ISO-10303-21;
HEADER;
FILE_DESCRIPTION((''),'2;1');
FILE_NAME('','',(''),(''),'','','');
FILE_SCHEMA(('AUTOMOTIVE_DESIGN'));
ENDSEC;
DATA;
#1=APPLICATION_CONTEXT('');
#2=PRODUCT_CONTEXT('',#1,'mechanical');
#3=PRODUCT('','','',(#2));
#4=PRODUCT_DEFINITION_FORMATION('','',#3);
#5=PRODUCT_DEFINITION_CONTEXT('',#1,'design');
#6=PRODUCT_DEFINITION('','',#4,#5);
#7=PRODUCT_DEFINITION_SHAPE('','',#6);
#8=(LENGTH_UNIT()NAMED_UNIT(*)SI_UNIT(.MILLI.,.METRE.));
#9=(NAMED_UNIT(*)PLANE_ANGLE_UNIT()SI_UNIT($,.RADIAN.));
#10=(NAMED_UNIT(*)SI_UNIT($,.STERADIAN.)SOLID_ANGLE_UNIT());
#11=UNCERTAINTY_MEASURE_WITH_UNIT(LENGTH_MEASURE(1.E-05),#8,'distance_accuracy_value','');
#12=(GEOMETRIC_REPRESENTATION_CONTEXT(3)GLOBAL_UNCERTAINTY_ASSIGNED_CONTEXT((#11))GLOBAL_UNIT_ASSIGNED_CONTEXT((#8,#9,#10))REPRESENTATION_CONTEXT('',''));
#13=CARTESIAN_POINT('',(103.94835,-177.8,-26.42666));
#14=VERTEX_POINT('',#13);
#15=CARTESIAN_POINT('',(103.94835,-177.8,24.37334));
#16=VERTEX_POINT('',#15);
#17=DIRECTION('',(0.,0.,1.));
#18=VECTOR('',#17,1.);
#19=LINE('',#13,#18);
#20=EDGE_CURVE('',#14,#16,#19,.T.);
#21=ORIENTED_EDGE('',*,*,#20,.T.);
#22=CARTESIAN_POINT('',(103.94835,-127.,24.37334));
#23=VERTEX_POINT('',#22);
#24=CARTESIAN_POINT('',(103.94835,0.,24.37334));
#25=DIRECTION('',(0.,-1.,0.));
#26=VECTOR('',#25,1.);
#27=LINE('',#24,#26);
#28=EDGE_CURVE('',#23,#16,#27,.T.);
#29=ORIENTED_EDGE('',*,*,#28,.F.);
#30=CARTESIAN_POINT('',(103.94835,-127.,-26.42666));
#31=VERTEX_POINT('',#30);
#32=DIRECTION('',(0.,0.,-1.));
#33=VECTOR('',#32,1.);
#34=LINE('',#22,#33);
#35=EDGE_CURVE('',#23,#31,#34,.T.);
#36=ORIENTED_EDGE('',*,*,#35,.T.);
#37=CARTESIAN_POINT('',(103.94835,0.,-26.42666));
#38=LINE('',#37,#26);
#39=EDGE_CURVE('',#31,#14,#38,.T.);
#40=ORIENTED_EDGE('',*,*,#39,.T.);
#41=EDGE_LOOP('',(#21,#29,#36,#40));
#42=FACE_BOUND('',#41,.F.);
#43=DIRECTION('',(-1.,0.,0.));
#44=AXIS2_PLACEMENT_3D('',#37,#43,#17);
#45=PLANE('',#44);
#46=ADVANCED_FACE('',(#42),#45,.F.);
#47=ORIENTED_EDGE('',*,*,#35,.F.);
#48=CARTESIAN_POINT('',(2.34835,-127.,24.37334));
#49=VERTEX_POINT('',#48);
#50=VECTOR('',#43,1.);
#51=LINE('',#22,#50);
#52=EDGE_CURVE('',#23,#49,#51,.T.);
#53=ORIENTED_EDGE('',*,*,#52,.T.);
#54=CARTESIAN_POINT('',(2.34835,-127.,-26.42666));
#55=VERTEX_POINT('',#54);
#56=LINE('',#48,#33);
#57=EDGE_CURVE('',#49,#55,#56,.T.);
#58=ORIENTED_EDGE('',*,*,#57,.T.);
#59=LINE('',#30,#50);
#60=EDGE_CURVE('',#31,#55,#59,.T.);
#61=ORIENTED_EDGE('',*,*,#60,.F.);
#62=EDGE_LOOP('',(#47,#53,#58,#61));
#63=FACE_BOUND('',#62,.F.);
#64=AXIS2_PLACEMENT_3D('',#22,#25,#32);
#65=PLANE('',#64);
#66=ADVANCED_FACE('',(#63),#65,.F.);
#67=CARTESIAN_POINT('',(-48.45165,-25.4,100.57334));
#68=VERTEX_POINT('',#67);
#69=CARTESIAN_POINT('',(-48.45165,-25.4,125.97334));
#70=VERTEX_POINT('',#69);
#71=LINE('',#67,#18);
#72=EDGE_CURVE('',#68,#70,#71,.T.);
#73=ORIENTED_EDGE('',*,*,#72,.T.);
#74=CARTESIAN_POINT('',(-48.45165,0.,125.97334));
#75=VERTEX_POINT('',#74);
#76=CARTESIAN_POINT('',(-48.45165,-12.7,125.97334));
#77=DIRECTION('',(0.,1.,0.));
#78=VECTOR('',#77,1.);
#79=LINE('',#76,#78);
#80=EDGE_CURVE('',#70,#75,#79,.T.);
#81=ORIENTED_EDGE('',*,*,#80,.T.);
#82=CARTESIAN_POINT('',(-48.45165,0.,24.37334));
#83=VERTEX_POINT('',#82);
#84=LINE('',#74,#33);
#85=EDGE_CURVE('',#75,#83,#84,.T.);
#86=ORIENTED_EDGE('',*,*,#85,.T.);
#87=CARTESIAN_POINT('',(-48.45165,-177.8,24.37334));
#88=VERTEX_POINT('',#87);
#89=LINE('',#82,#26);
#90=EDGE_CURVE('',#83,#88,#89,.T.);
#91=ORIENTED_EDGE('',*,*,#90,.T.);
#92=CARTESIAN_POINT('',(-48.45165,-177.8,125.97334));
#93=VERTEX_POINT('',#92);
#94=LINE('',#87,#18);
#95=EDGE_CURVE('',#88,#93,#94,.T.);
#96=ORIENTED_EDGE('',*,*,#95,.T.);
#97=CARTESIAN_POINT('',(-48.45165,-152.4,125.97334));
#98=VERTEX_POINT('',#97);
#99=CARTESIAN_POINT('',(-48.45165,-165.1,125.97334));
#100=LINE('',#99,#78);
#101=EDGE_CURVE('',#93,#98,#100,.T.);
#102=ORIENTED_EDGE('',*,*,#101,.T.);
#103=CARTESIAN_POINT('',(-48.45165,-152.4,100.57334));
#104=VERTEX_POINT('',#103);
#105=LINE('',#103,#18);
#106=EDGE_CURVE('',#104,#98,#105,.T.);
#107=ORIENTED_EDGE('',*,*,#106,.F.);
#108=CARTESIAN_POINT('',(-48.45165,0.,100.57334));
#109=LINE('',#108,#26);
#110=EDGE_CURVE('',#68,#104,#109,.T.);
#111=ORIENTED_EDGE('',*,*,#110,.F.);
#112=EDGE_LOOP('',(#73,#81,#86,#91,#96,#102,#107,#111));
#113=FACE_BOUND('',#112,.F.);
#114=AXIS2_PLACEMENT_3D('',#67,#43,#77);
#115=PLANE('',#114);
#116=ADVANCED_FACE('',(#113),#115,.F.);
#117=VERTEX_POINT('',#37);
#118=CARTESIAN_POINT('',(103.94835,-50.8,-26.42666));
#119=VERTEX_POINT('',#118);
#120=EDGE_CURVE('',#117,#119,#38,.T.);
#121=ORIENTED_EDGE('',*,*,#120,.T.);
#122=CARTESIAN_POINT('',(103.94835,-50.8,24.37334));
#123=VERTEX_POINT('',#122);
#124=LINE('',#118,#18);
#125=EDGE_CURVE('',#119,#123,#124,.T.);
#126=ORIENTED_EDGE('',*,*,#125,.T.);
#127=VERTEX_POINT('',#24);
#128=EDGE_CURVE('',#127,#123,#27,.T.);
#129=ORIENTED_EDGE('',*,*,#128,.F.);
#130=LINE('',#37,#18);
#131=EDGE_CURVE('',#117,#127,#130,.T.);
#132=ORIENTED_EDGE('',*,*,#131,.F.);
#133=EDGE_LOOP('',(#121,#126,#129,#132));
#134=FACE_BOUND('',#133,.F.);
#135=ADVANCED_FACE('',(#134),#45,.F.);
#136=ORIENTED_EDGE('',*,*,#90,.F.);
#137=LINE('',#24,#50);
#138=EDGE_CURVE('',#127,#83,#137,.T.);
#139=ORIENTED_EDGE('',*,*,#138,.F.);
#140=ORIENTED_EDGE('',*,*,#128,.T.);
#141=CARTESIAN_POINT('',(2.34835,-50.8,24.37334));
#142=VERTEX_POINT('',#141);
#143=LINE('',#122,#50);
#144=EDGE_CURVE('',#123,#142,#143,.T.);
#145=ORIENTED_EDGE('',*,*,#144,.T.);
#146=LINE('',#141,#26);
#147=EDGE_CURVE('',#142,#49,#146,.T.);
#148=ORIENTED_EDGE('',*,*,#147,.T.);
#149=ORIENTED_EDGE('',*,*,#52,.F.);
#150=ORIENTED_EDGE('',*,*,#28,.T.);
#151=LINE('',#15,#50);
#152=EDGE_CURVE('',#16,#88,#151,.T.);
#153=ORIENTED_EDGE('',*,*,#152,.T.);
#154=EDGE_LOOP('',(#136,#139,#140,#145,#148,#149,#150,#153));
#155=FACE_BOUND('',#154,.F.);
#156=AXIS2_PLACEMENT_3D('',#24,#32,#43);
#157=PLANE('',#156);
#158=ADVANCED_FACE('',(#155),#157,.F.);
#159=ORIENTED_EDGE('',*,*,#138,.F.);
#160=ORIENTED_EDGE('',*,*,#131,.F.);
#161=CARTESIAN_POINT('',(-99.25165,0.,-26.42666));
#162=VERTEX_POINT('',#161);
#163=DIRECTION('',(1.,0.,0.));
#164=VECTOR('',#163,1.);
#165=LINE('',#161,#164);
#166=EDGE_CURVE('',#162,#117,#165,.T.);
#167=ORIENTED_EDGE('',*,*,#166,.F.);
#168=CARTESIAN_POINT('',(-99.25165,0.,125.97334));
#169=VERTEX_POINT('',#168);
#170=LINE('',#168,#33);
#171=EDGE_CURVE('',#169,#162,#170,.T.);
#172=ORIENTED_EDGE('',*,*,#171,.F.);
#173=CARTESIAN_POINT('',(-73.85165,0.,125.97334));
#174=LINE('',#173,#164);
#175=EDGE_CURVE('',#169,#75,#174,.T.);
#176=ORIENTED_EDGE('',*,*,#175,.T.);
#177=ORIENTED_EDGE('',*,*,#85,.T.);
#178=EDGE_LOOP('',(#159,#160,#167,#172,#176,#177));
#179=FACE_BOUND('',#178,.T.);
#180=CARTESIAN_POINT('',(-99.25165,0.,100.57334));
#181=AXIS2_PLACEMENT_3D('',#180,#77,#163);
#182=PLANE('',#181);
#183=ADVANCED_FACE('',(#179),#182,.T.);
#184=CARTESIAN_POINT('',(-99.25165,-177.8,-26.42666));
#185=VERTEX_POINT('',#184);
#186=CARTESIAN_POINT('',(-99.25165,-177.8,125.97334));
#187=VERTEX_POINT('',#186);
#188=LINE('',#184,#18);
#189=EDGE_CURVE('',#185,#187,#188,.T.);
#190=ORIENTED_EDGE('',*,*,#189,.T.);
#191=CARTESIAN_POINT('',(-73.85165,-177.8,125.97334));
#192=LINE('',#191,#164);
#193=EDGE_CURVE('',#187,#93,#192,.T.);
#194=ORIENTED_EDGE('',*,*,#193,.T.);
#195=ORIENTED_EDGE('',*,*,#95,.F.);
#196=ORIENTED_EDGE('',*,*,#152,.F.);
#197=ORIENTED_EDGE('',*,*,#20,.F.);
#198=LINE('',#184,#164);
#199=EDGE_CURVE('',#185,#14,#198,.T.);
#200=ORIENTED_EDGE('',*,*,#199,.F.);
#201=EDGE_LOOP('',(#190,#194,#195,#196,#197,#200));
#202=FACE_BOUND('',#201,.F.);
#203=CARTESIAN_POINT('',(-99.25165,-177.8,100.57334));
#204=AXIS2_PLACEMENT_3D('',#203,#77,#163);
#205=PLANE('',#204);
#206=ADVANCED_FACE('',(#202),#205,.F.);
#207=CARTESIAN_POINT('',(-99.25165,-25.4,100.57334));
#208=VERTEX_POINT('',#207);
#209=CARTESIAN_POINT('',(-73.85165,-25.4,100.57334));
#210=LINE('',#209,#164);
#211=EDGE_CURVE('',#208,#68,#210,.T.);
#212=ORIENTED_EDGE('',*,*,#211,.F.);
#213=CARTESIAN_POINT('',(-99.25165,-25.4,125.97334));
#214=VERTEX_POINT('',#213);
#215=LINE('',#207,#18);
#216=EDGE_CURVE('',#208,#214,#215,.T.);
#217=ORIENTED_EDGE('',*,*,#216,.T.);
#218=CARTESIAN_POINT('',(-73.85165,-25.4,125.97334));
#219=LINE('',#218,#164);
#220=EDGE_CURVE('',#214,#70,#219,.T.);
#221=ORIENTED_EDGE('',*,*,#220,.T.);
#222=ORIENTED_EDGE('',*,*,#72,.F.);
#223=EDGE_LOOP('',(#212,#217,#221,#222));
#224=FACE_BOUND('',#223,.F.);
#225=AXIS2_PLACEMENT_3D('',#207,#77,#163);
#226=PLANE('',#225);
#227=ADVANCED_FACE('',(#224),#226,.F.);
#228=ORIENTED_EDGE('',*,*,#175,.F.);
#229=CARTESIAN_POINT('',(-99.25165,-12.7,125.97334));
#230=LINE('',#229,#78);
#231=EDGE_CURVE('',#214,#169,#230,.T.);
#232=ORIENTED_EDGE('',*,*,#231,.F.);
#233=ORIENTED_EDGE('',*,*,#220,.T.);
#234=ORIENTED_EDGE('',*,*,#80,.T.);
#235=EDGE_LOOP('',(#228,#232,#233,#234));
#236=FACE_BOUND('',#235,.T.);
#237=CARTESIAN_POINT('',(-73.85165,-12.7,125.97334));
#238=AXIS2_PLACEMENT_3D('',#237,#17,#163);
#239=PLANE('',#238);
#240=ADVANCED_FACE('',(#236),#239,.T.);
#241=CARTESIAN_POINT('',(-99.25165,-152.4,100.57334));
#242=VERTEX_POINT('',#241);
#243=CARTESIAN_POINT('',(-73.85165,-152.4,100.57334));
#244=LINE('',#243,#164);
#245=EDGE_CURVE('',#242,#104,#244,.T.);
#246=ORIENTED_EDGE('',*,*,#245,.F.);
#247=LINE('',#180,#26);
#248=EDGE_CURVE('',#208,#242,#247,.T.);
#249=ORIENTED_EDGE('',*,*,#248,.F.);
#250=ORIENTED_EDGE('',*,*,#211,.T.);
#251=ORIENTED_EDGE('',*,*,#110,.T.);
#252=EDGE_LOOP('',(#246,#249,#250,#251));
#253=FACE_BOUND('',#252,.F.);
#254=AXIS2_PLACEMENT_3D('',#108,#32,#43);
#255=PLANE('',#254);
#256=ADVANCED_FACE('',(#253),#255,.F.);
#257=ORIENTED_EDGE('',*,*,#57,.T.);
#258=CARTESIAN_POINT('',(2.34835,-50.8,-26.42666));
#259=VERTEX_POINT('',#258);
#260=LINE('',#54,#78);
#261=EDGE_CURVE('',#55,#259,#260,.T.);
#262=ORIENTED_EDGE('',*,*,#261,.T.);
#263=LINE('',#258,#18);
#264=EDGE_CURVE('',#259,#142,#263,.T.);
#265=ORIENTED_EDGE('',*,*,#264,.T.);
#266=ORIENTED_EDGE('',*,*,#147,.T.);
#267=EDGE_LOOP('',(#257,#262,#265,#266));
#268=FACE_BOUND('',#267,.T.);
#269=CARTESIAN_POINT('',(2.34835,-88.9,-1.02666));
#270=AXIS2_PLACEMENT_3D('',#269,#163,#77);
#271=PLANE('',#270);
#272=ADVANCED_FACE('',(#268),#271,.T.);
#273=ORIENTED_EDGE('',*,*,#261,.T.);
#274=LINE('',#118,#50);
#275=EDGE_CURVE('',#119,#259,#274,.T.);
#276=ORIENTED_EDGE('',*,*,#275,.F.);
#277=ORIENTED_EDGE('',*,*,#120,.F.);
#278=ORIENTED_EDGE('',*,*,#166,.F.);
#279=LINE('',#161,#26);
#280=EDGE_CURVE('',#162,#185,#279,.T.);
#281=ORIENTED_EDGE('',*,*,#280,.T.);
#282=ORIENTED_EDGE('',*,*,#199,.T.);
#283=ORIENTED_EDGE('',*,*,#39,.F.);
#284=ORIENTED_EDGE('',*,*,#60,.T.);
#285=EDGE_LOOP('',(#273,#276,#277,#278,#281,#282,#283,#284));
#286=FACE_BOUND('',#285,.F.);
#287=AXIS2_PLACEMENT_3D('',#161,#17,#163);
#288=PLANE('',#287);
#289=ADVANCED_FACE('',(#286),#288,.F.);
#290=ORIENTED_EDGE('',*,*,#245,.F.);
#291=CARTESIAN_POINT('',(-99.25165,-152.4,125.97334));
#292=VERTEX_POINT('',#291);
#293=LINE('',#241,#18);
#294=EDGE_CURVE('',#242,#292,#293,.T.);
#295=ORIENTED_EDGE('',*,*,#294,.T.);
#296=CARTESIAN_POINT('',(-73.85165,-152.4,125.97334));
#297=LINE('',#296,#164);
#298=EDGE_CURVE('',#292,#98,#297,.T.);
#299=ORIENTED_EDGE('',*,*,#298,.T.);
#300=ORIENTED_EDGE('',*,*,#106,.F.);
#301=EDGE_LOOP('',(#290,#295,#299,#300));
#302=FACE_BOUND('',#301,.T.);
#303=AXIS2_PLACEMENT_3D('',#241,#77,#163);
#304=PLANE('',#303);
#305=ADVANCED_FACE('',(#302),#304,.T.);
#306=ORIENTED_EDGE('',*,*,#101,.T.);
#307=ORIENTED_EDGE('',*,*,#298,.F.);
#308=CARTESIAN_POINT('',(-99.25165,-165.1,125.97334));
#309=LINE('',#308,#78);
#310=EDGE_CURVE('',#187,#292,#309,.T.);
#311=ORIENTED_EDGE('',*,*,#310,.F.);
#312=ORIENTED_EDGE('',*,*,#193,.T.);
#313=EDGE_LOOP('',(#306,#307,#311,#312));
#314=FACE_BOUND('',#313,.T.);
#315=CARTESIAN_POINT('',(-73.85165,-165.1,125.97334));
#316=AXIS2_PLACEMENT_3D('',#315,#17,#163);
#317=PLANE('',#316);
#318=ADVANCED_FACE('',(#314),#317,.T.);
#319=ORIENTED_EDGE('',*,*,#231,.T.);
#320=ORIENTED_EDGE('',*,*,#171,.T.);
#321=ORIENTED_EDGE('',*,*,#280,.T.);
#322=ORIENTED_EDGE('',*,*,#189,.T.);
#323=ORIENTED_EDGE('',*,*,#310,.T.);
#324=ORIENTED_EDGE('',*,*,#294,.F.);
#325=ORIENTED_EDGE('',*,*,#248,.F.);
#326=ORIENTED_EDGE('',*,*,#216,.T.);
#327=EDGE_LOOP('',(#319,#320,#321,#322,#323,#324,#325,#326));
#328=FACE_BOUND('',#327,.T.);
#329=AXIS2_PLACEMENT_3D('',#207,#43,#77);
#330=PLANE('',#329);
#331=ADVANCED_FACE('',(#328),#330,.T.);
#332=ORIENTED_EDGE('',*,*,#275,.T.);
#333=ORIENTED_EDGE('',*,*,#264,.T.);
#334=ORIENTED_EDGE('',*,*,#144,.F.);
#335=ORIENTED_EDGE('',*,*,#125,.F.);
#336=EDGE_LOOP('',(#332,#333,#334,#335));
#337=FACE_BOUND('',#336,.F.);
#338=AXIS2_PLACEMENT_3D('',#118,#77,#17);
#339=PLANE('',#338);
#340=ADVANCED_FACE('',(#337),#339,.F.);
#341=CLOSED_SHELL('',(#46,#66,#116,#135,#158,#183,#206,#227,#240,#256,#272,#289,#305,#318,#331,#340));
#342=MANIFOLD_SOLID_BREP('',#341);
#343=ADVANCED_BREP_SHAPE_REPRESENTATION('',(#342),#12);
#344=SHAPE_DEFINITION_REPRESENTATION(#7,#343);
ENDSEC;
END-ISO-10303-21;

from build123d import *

# Parameters (mm, degrees)
F1_DEPTH = 177.8
F2_W     = 50.8
F2_H     = 25.4
F3_DEPTH = 25.4
F4_W     = 50.8
F4_H     = 25.4
F5_DEPTH = 25.4
F7_DEPTH = 101.6


with BuildPart() as f1:
    # F0 (on Front) → F1 (new body)
    with BuildSketch(Plane.XZ):
        Polygon((-99.25165, 100.57334), (-99.25165, -26.42666), (103.94835, -26.42666), (103.94835, 24.37334), (-48.45165, 24.37334), (-48.45165, 100.57334), align=None)
    extrude(amount=F1_DEPTH)

    # F2 (on face) → F3 (join)
    with BuildSketch(Plane.XY.offset(100.57334)):
        with Locations((-73.85165, -165.1)):
            Rectangle(F2_W, F2_H)
    extrude(amount=F3_DEPTH)

    # F4 (on face) → F5 (join)
    with BuildSketch(Plane.XY.offset(100.57334)):
        with Locations((-73.85165, -12.7)):
            Rectangle(F4_W, F4_H)
    extrude(amount=F5_DEPTH)

    # F6 (on face) → F7 (cut)
    with BuildSketch(Plane.YZ.offset(103.94835)):
        Polygon((-127, 24.37334), (-127, -1.02666), (-127, -26.42666), (-50.8, -26.42666), (-50.8, 0), (-50.8, 24.37334), align=None)
    extrude(amount=-F7_DEPTH, mode=Mode.SUBTRACT)


solid = f1.part
